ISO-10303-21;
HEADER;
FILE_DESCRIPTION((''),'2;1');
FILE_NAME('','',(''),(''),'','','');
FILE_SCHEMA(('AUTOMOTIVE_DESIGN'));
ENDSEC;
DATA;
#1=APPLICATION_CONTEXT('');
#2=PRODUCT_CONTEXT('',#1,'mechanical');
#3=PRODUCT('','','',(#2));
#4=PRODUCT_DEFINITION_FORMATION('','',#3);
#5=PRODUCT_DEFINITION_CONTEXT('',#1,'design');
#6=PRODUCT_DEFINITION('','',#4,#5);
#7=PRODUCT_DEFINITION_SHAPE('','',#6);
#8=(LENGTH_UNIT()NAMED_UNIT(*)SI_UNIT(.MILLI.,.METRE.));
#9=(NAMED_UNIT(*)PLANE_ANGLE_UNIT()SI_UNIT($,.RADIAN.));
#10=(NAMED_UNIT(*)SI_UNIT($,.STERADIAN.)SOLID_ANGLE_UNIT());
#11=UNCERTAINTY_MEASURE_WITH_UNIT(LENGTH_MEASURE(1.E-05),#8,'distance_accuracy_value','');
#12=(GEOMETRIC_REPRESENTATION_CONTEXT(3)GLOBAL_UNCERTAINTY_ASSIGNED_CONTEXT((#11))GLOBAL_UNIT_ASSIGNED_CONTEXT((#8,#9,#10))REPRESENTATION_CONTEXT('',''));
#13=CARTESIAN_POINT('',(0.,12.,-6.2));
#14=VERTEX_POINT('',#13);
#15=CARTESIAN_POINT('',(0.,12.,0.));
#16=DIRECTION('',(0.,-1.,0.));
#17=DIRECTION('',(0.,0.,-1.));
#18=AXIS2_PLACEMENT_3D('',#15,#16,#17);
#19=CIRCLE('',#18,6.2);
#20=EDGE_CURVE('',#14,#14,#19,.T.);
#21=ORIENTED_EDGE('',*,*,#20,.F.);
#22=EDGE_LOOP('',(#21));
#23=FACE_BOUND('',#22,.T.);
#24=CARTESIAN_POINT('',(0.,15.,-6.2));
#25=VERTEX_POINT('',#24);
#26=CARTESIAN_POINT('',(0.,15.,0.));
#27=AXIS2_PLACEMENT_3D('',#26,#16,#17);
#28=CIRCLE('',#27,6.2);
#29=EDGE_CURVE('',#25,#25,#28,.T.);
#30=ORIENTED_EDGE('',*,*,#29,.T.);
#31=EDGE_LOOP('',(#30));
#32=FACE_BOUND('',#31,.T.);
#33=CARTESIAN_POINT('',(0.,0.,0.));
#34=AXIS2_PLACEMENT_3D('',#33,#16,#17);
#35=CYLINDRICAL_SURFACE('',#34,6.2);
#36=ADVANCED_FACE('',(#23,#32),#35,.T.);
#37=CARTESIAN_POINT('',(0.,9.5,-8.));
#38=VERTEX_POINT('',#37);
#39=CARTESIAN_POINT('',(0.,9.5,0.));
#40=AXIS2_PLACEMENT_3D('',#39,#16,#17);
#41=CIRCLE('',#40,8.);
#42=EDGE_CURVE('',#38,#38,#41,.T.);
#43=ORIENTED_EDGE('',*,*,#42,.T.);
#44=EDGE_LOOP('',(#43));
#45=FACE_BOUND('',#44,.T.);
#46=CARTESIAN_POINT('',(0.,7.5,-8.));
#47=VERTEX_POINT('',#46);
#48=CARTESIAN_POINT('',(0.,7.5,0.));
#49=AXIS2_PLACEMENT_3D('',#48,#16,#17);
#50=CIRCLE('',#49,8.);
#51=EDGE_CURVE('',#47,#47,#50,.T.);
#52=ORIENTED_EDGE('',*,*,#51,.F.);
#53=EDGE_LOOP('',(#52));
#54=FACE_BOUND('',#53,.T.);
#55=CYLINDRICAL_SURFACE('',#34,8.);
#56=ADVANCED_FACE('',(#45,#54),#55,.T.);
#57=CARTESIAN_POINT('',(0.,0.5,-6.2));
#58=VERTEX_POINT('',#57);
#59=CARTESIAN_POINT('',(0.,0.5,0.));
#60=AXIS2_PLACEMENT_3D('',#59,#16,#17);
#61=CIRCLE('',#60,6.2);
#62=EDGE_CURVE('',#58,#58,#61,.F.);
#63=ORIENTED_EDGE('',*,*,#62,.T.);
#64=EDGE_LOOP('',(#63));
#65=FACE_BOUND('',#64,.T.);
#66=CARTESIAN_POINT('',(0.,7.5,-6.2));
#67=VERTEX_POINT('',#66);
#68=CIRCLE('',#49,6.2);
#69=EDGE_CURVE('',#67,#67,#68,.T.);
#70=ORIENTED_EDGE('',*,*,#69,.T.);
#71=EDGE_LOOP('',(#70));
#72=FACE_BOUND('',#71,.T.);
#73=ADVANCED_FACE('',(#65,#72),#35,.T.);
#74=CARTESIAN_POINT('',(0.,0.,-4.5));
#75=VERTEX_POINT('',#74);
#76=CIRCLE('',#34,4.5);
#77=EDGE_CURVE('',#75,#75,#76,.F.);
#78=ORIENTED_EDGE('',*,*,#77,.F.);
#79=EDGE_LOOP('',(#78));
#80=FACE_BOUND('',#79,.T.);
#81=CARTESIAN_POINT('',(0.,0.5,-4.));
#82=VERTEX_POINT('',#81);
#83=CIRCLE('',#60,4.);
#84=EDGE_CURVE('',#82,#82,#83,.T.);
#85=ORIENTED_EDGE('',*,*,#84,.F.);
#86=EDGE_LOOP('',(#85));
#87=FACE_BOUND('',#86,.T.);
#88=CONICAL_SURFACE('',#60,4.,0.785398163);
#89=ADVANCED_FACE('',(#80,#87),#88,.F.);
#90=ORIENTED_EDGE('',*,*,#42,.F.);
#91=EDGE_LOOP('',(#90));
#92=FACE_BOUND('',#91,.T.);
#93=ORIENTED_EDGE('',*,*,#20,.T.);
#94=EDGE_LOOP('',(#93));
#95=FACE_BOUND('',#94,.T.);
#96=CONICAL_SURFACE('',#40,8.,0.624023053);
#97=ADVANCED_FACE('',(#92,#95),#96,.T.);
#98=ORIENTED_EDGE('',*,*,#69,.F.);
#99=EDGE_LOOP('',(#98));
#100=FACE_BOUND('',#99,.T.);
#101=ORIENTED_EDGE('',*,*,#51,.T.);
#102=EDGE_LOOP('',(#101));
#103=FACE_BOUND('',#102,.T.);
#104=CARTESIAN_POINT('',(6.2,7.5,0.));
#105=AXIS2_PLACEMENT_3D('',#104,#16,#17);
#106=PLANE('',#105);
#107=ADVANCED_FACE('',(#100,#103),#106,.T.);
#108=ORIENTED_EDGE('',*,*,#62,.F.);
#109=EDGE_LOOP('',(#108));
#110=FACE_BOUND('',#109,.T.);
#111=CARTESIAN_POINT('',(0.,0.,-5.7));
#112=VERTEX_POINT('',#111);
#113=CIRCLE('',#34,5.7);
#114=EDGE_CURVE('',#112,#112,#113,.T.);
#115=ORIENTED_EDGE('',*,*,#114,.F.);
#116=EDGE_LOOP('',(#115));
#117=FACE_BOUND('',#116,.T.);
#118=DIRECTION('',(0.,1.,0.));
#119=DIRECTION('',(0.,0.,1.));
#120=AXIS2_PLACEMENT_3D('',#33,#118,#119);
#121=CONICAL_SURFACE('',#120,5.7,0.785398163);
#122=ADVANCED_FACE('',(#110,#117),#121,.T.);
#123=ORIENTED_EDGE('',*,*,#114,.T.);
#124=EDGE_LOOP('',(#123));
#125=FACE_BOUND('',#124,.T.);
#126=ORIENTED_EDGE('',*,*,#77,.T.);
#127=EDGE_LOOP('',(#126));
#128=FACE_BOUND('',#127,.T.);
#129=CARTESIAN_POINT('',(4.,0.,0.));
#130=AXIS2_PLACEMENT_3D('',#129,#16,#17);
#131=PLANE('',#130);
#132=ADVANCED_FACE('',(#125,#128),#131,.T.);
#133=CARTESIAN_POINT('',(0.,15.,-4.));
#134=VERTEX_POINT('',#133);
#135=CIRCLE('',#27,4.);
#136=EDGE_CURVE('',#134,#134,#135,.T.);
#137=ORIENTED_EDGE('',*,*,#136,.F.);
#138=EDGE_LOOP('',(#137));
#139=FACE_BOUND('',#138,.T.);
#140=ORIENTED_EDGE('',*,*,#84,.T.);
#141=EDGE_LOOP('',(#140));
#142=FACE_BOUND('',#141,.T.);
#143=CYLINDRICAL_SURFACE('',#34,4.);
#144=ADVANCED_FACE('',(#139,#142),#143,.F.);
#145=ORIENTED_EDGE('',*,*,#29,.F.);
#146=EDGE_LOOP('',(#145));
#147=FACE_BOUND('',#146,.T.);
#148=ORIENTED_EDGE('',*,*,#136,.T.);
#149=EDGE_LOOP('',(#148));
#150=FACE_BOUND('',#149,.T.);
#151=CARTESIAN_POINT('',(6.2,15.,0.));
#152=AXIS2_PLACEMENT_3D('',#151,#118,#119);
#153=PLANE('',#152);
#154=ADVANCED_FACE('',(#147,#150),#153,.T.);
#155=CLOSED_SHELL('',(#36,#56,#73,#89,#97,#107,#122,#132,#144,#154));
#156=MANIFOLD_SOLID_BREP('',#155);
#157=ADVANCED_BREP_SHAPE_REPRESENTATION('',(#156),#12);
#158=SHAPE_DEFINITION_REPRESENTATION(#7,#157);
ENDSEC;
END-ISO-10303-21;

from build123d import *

# Parameters (mm, degrees)
CHAMFER1_SIZE = 0.5


with BuildPart() as part:
    # Sketch1 → Revolve1 (revolve)
    with BuildSketch(Plane.XY, mode=Mode.PRIVATE) as revolve1_sk:
        Polygon((4, 0), (6.2, 0), (6.2, 7.5), (8, 7.5), (8, 9.5), (6.2, 12), (6.2, 15), (4, 15), align=None)
    revolve(revolve1_sk.sketch.rotate(Axis((0, 0, 0), (0, 1, 0)), 90), axis=Axis((0, 0, 0), (0, 1, 0)))

    # Chamfer1
    chamfer1_edges = [part.edges().sort_by_distance(p)[0] for p in [
        (0, 0, 6.2),
        (0, 0, 4),
    ]]
    chamfer(chamfer1_edges, length=CHAMFER1_SIZE)


solid = part.part
